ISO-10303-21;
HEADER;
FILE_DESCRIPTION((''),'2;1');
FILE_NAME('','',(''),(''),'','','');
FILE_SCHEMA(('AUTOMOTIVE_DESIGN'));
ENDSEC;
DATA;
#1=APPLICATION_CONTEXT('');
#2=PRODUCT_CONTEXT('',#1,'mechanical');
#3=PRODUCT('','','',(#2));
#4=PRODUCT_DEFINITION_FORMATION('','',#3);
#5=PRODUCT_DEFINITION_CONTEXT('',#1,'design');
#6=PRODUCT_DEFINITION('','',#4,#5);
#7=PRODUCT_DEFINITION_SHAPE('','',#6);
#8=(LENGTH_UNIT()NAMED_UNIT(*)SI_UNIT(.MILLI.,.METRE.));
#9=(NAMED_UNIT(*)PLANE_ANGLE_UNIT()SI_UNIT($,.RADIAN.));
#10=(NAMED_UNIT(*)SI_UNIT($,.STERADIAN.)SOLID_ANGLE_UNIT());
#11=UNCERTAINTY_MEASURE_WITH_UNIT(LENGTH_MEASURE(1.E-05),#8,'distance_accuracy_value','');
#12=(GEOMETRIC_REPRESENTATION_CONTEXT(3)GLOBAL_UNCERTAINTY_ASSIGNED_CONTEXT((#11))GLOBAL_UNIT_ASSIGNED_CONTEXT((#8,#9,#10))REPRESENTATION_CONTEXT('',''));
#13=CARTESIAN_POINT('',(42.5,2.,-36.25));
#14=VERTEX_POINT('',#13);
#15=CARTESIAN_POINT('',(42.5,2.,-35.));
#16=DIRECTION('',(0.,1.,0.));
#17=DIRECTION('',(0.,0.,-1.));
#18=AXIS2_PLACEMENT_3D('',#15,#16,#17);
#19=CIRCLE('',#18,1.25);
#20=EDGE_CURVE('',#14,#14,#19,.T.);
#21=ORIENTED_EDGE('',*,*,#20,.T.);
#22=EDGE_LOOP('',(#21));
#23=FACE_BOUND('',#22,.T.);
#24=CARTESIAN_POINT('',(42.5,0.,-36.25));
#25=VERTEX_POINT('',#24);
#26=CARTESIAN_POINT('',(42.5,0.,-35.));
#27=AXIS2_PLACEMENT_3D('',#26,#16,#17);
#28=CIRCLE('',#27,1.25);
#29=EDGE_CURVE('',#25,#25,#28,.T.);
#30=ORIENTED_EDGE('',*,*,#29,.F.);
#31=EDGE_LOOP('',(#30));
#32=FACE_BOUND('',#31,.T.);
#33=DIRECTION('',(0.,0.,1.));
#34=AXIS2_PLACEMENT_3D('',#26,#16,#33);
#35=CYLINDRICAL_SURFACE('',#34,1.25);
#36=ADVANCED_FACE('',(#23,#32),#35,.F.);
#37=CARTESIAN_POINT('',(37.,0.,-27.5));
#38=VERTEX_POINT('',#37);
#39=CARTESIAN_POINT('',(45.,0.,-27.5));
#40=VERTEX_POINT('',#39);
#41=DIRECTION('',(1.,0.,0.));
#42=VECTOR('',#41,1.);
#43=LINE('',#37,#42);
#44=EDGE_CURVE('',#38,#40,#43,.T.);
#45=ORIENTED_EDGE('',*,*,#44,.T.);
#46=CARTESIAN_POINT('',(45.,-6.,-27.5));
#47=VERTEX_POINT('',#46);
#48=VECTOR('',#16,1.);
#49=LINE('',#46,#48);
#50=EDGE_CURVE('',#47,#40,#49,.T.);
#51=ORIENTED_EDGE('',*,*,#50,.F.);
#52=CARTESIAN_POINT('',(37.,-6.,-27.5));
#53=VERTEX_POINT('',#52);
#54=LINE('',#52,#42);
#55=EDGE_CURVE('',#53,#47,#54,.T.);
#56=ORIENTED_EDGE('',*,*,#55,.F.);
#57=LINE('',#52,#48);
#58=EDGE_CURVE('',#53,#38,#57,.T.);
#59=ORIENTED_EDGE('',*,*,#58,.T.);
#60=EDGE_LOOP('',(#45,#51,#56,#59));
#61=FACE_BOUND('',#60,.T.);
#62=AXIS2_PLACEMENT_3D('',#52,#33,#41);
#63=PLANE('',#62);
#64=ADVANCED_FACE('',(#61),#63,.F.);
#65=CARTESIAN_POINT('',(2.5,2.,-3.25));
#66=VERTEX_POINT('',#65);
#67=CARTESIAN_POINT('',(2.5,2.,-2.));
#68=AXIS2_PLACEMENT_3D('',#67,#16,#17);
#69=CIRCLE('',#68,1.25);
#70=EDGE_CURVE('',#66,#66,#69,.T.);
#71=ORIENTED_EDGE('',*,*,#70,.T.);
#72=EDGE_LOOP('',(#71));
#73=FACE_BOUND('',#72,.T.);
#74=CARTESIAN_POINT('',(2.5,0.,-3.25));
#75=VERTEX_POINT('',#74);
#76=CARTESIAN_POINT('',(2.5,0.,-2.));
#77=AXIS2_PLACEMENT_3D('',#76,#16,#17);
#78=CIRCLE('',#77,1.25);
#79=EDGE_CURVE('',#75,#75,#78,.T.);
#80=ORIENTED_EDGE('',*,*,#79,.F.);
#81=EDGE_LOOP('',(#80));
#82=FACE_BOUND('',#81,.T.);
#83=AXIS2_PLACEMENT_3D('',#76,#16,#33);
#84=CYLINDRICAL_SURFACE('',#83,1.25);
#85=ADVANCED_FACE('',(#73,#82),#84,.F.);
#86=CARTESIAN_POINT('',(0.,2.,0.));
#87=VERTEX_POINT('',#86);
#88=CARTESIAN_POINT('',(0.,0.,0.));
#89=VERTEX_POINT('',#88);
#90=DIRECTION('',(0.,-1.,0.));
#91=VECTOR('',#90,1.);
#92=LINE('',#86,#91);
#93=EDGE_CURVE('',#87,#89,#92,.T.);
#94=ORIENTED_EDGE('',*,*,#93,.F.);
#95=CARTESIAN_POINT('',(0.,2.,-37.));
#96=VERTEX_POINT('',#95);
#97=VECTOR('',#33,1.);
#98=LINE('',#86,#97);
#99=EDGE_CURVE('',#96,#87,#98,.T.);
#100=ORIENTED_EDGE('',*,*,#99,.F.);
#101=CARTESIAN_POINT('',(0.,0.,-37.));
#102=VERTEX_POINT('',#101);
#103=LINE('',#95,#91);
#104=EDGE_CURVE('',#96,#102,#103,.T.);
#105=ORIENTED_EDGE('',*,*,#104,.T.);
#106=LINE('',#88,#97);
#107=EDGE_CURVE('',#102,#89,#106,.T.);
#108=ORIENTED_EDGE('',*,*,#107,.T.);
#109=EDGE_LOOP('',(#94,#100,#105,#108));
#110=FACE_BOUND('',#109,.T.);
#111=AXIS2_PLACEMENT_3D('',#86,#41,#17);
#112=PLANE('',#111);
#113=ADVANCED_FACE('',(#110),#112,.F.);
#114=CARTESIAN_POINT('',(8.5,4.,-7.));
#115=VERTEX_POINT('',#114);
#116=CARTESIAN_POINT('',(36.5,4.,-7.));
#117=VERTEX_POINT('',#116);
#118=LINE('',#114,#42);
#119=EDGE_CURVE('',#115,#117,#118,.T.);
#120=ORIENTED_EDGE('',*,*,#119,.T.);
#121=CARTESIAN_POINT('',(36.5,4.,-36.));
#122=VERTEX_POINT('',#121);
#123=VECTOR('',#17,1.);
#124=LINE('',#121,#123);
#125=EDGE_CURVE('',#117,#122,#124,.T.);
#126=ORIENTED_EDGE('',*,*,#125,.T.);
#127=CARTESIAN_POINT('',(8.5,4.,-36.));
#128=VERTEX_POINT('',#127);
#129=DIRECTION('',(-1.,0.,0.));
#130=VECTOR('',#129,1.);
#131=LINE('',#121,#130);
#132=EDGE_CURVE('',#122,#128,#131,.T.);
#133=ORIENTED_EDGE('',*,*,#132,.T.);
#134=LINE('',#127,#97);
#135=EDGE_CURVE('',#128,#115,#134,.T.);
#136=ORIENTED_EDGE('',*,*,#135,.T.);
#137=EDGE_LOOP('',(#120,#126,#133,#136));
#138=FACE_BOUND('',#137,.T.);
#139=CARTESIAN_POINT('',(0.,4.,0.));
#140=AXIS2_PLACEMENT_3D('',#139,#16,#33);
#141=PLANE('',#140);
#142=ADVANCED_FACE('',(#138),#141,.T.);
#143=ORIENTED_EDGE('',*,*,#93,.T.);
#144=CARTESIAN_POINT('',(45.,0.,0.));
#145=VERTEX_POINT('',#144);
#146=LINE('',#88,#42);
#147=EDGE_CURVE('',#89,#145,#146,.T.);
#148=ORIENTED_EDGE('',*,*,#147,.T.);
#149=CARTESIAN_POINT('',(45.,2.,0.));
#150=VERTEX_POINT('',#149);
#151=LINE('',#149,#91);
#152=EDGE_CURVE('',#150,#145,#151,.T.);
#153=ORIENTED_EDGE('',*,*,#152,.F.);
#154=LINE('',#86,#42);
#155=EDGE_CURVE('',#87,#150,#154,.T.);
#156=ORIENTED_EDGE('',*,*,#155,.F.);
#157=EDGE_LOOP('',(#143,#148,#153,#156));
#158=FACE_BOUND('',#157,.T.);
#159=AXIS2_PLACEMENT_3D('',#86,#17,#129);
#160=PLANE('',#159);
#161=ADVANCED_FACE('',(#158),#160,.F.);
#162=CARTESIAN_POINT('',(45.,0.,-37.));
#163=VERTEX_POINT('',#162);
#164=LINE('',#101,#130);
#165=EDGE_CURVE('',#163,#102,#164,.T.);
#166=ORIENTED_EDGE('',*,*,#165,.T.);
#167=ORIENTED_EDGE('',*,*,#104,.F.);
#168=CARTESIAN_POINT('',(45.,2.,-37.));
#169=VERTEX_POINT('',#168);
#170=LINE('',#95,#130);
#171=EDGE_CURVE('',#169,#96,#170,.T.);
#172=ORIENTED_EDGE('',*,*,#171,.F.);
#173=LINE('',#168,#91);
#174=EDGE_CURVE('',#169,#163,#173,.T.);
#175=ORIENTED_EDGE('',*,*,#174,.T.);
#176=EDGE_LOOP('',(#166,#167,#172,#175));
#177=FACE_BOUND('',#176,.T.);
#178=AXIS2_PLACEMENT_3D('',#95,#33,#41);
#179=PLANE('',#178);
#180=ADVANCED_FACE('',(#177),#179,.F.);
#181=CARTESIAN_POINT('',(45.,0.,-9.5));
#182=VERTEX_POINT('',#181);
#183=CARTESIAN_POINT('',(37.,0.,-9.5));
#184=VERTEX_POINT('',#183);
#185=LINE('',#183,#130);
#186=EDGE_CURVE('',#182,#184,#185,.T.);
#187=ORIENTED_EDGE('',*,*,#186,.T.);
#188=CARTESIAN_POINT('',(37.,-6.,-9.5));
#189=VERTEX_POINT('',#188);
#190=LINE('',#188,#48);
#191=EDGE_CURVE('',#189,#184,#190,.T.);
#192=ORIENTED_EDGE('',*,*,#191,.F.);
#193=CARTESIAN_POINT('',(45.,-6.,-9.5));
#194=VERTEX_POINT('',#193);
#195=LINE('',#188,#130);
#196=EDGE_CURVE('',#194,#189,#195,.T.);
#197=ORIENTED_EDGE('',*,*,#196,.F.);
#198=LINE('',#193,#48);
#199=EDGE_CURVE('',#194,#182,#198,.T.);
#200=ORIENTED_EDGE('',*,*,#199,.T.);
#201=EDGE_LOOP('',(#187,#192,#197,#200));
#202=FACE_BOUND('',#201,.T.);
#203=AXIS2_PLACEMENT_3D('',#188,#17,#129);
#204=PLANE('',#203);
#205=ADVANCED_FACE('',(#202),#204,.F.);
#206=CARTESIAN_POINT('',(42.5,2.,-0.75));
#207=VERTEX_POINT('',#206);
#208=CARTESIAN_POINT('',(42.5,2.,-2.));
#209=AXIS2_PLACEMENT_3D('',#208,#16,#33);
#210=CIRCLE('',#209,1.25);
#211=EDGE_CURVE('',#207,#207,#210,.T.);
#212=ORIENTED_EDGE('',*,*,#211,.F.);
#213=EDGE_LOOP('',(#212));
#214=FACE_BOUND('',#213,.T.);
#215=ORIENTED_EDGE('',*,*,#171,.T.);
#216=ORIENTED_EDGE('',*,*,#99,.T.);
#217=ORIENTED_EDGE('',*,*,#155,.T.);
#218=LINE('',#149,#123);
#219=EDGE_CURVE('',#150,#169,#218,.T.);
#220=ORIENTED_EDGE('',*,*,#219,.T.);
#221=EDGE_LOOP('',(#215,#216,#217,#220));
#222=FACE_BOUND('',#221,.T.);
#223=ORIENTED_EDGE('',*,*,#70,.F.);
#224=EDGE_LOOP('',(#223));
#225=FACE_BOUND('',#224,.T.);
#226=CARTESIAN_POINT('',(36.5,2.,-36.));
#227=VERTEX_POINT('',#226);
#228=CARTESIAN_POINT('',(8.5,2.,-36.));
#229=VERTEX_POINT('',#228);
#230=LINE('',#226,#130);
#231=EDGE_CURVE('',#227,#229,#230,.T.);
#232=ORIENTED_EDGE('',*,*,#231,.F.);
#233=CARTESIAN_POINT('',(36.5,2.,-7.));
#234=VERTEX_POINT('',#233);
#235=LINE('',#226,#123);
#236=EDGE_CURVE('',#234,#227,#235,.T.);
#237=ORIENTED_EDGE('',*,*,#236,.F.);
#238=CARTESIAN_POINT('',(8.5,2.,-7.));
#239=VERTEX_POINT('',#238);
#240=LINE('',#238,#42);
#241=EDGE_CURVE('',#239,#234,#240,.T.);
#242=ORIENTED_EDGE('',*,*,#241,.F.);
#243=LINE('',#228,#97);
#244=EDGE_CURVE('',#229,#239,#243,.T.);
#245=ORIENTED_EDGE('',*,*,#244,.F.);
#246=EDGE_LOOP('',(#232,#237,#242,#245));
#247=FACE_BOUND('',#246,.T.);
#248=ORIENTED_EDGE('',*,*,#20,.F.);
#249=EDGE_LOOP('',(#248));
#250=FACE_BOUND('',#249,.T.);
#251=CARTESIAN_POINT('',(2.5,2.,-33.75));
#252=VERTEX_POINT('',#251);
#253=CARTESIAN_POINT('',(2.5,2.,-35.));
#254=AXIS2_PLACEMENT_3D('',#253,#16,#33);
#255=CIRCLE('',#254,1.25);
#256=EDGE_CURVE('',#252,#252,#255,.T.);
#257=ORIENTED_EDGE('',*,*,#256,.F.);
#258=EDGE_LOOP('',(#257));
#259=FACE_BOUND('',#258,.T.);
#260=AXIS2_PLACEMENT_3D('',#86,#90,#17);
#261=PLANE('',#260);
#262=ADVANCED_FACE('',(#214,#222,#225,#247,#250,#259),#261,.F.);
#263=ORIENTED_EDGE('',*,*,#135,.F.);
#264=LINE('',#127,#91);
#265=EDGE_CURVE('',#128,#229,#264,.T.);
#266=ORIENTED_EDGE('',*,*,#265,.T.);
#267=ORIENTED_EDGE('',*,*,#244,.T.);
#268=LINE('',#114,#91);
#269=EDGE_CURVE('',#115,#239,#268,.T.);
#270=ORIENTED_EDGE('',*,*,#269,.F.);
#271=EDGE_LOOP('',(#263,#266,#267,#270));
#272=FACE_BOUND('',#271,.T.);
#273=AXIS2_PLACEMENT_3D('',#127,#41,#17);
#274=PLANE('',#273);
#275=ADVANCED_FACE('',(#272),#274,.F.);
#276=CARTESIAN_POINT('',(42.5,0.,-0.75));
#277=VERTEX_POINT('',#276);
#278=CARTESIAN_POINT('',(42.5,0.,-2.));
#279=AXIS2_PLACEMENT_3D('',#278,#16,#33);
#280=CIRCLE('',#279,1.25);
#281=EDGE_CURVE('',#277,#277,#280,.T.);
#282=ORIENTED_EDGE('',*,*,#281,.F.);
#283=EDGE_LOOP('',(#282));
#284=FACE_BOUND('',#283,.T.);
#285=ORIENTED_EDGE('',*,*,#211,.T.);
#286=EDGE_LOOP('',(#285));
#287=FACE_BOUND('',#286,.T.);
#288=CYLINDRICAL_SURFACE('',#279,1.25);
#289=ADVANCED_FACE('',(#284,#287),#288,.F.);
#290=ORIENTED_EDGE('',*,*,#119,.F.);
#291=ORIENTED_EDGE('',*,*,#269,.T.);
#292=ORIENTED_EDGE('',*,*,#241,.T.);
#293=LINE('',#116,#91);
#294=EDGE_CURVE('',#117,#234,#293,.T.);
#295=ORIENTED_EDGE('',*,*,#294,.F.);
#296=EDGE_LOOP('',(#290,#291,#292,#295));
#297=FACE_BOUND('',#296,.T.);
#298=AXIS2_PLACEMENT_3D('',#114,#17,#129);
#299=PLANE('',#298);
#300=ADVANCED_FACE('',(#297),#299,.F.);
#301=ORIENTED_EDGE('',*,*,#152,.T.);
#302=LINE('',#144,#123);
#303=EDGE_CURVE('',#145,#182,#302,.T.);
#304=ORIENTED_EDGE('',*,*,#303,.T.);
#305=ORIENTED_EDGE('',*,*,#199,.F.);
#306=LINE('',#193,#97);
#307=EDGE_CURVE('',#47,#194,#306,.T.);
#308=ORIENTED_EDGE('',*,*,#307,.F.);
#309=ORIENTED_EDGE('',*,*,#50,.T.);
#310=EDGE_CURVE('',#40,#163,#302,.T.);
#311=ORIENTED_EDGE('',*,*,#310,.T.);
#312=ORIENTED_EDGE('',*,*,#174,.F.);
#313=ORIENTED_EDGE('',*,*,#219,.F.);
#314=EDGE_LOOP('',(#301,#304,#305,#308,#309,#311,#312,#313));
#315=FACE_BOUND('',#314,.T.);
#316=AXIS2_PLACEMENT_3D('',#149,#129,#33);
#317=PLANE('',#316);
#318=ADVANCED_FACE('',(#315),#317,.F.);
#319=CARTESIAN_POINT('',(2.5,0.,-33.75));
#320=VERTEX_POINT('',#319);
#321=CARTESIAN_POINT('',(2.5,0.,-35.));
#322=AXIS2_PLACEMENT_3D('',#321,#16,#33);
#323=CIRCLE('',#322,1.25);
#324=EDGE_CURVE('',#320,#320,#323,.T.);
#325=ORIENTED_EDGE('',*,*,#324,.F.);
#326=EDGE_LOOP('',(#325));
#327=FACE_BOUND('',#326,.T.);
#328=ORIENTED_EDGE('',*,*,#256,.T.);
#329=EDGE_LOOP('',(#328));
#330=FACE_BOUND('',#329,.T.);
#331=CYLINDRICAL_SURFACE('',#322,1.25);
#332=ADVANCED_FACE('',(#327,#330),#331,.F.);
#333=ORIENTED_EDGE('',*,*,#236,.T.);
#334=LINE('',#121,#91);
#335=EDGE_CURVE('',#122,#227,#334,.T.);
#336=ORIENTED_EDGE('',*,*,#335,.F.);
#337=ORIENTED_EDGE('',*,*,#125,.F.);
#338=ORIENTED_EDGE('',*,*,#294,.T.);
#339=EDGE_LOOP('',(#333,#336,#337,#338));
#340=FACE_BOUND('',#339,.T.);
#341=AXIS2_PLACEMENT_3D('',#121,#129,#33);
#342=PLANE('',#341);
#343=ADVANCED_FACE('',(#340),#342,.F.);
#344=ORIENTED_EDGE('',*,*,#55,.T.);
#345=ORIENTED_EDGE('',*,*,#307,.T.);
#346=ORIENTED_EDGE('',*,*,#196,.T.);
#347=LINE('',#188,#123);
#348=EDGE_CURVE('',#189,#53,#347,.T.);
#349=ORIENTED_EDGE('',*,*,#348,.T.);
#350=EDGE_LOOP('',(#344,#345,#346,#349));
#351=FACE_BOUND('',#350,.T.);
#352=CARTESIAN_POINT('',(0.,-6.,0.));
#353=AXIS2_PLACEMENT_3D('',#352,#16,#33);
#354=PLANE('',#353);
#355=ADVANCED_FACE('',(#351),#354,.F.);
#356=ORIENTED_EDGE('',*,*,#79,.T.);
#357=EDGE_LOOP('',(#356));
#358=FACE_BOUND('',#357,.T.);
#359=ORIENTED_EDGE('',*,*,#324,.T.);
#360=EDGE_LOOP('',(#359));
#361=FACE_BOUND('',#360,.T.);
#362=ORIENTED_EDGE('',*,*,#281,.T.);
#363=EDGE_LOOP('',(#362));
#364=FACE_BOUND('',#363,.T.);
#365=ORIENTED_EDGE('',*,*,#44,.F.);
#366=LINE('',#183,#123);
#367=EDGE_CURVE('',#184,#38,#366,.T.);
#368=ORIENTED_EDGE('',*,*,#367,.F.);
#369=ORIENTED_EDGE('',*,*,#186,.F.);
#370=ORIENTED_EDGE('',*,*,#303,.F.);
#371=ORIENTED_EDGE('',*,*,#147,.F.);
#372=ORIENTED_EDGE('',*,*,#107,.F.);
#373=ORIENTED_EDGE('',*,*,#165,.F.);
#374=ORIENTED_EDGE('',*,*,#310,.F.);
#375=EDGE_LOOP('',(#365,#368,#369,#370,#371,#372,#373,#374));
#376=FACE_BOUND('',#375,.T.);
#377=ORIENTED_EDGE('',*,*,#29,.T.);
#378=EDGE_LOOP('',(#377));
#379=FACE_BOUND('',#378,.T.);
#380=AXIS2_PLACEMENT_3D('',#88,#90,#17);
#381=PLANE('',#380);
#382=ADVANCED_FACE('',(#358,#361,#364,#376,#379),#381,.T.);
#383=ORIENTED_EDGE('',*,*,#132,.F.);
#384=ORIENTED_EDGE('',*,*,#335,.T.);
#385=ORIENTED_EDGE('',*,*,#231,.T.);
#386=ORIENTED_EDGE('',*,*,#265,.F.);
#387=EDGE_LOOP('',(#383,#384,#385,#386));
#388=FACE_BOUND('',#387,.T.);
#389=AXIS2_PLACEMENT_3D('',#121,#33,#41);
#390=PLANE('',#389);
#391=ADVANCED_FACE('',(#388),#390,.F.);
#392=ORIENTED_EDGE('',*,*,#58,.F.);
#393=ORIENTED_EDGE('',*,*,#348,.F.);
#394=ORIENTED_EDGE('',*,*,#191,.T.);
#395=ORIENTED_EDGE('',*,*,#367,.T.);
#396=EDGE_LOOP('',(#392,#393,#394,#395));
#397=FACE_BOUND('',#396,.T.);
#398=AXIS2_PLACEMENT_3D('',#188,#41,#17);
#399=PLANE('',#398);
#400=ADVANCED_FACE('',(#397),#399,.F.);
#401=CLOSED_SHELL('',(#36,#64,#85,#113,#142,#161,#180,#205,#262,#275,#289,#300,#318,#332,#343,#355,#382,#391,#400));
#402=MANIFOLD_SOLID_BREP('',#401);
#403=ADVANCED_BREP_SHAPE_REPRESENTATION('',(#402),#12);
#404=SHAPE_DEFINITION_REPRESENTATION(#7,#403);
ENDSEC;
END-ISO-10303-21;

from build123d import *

# Parameters (mm, degrees)
SKETCH_1_W          = 45
SKETCH_1_H          = 37
EXTRUDE_1_DEPTH     = 2
SKETCH_2_W          = 28
SKETCH_2_H          = 29
EXTRUDE_2_DEPTH     = 2
SKETCH_3_R          = 1.25
CUT_EXTRUDE_1_DEPTH = 2
SKETCH_4_W          = 8
SKETCH_4_H          = 18
EXTRUDE_3_DEPTH     = 6


with BuildPart() as part:
    # 草图1 → 凸台-拉伸1 (new body)
    with BuildSketch(Plane(origin=(0, 0, 0), x_dir=(1, 0, 0), z_dir=(0, 1, 0))):
        with Locations((22.5, 18.5)):
            Rectangle(SKETCH_1_W, SKETCH_1_H)
    extrude(amount=EXTRUDE_1_DEPTH)

    # 草图2 → 凸台-拉伸2 (add)
    with BuildSketch(Plane(origin=(0, 2, 0), x_dir=(1, 0, 0), z_dir=(0, 1, 0))):
        with Locations((22.5, 21.5)):
            Rectangle(SKETCH_2_W, SKETCH_2_H)
    extrude(amount=EXTRUDE_2_DEPTH)

    # 草图3 → 切除-拉伸1 (cut)
    with BuildSketch(Plane(origin=(0, 2, 0), x_dir=(1, 0, 0), z_dir=(0, 1, 0))):
        with Locations(Location((2.5, 35, 0), (0, 0, 270))):
            Circle(SKETCH_3_R)
        with Locations(Location((42.5, 35, 0), (0, 0, 90))):
            Circle(SKETCH_3_R)
        with Locations(Location((42.5, 2, 0), (0, 0, 270))):
            Circle(SKETCH_3_R)
        with Locations(Location((2.5, 2, 0), (0, 0, 90))):
            Circle(SKETCH_3_R)
    extrude(amount=-CUT_EXTRUDE_1_DEPTH, mode=Mode.SUBTRACT)

    # 草图4 → 凸台-拉伸3 (add)
    with BuildSketch(Plane.XZ):
        with Locations((41, -18.5)):
            Rectangle(SKETCH_4_W, SKETCH_4_H)
    extrude(amount=EXTRUDE_3_DEPTH)


solid = part.part
